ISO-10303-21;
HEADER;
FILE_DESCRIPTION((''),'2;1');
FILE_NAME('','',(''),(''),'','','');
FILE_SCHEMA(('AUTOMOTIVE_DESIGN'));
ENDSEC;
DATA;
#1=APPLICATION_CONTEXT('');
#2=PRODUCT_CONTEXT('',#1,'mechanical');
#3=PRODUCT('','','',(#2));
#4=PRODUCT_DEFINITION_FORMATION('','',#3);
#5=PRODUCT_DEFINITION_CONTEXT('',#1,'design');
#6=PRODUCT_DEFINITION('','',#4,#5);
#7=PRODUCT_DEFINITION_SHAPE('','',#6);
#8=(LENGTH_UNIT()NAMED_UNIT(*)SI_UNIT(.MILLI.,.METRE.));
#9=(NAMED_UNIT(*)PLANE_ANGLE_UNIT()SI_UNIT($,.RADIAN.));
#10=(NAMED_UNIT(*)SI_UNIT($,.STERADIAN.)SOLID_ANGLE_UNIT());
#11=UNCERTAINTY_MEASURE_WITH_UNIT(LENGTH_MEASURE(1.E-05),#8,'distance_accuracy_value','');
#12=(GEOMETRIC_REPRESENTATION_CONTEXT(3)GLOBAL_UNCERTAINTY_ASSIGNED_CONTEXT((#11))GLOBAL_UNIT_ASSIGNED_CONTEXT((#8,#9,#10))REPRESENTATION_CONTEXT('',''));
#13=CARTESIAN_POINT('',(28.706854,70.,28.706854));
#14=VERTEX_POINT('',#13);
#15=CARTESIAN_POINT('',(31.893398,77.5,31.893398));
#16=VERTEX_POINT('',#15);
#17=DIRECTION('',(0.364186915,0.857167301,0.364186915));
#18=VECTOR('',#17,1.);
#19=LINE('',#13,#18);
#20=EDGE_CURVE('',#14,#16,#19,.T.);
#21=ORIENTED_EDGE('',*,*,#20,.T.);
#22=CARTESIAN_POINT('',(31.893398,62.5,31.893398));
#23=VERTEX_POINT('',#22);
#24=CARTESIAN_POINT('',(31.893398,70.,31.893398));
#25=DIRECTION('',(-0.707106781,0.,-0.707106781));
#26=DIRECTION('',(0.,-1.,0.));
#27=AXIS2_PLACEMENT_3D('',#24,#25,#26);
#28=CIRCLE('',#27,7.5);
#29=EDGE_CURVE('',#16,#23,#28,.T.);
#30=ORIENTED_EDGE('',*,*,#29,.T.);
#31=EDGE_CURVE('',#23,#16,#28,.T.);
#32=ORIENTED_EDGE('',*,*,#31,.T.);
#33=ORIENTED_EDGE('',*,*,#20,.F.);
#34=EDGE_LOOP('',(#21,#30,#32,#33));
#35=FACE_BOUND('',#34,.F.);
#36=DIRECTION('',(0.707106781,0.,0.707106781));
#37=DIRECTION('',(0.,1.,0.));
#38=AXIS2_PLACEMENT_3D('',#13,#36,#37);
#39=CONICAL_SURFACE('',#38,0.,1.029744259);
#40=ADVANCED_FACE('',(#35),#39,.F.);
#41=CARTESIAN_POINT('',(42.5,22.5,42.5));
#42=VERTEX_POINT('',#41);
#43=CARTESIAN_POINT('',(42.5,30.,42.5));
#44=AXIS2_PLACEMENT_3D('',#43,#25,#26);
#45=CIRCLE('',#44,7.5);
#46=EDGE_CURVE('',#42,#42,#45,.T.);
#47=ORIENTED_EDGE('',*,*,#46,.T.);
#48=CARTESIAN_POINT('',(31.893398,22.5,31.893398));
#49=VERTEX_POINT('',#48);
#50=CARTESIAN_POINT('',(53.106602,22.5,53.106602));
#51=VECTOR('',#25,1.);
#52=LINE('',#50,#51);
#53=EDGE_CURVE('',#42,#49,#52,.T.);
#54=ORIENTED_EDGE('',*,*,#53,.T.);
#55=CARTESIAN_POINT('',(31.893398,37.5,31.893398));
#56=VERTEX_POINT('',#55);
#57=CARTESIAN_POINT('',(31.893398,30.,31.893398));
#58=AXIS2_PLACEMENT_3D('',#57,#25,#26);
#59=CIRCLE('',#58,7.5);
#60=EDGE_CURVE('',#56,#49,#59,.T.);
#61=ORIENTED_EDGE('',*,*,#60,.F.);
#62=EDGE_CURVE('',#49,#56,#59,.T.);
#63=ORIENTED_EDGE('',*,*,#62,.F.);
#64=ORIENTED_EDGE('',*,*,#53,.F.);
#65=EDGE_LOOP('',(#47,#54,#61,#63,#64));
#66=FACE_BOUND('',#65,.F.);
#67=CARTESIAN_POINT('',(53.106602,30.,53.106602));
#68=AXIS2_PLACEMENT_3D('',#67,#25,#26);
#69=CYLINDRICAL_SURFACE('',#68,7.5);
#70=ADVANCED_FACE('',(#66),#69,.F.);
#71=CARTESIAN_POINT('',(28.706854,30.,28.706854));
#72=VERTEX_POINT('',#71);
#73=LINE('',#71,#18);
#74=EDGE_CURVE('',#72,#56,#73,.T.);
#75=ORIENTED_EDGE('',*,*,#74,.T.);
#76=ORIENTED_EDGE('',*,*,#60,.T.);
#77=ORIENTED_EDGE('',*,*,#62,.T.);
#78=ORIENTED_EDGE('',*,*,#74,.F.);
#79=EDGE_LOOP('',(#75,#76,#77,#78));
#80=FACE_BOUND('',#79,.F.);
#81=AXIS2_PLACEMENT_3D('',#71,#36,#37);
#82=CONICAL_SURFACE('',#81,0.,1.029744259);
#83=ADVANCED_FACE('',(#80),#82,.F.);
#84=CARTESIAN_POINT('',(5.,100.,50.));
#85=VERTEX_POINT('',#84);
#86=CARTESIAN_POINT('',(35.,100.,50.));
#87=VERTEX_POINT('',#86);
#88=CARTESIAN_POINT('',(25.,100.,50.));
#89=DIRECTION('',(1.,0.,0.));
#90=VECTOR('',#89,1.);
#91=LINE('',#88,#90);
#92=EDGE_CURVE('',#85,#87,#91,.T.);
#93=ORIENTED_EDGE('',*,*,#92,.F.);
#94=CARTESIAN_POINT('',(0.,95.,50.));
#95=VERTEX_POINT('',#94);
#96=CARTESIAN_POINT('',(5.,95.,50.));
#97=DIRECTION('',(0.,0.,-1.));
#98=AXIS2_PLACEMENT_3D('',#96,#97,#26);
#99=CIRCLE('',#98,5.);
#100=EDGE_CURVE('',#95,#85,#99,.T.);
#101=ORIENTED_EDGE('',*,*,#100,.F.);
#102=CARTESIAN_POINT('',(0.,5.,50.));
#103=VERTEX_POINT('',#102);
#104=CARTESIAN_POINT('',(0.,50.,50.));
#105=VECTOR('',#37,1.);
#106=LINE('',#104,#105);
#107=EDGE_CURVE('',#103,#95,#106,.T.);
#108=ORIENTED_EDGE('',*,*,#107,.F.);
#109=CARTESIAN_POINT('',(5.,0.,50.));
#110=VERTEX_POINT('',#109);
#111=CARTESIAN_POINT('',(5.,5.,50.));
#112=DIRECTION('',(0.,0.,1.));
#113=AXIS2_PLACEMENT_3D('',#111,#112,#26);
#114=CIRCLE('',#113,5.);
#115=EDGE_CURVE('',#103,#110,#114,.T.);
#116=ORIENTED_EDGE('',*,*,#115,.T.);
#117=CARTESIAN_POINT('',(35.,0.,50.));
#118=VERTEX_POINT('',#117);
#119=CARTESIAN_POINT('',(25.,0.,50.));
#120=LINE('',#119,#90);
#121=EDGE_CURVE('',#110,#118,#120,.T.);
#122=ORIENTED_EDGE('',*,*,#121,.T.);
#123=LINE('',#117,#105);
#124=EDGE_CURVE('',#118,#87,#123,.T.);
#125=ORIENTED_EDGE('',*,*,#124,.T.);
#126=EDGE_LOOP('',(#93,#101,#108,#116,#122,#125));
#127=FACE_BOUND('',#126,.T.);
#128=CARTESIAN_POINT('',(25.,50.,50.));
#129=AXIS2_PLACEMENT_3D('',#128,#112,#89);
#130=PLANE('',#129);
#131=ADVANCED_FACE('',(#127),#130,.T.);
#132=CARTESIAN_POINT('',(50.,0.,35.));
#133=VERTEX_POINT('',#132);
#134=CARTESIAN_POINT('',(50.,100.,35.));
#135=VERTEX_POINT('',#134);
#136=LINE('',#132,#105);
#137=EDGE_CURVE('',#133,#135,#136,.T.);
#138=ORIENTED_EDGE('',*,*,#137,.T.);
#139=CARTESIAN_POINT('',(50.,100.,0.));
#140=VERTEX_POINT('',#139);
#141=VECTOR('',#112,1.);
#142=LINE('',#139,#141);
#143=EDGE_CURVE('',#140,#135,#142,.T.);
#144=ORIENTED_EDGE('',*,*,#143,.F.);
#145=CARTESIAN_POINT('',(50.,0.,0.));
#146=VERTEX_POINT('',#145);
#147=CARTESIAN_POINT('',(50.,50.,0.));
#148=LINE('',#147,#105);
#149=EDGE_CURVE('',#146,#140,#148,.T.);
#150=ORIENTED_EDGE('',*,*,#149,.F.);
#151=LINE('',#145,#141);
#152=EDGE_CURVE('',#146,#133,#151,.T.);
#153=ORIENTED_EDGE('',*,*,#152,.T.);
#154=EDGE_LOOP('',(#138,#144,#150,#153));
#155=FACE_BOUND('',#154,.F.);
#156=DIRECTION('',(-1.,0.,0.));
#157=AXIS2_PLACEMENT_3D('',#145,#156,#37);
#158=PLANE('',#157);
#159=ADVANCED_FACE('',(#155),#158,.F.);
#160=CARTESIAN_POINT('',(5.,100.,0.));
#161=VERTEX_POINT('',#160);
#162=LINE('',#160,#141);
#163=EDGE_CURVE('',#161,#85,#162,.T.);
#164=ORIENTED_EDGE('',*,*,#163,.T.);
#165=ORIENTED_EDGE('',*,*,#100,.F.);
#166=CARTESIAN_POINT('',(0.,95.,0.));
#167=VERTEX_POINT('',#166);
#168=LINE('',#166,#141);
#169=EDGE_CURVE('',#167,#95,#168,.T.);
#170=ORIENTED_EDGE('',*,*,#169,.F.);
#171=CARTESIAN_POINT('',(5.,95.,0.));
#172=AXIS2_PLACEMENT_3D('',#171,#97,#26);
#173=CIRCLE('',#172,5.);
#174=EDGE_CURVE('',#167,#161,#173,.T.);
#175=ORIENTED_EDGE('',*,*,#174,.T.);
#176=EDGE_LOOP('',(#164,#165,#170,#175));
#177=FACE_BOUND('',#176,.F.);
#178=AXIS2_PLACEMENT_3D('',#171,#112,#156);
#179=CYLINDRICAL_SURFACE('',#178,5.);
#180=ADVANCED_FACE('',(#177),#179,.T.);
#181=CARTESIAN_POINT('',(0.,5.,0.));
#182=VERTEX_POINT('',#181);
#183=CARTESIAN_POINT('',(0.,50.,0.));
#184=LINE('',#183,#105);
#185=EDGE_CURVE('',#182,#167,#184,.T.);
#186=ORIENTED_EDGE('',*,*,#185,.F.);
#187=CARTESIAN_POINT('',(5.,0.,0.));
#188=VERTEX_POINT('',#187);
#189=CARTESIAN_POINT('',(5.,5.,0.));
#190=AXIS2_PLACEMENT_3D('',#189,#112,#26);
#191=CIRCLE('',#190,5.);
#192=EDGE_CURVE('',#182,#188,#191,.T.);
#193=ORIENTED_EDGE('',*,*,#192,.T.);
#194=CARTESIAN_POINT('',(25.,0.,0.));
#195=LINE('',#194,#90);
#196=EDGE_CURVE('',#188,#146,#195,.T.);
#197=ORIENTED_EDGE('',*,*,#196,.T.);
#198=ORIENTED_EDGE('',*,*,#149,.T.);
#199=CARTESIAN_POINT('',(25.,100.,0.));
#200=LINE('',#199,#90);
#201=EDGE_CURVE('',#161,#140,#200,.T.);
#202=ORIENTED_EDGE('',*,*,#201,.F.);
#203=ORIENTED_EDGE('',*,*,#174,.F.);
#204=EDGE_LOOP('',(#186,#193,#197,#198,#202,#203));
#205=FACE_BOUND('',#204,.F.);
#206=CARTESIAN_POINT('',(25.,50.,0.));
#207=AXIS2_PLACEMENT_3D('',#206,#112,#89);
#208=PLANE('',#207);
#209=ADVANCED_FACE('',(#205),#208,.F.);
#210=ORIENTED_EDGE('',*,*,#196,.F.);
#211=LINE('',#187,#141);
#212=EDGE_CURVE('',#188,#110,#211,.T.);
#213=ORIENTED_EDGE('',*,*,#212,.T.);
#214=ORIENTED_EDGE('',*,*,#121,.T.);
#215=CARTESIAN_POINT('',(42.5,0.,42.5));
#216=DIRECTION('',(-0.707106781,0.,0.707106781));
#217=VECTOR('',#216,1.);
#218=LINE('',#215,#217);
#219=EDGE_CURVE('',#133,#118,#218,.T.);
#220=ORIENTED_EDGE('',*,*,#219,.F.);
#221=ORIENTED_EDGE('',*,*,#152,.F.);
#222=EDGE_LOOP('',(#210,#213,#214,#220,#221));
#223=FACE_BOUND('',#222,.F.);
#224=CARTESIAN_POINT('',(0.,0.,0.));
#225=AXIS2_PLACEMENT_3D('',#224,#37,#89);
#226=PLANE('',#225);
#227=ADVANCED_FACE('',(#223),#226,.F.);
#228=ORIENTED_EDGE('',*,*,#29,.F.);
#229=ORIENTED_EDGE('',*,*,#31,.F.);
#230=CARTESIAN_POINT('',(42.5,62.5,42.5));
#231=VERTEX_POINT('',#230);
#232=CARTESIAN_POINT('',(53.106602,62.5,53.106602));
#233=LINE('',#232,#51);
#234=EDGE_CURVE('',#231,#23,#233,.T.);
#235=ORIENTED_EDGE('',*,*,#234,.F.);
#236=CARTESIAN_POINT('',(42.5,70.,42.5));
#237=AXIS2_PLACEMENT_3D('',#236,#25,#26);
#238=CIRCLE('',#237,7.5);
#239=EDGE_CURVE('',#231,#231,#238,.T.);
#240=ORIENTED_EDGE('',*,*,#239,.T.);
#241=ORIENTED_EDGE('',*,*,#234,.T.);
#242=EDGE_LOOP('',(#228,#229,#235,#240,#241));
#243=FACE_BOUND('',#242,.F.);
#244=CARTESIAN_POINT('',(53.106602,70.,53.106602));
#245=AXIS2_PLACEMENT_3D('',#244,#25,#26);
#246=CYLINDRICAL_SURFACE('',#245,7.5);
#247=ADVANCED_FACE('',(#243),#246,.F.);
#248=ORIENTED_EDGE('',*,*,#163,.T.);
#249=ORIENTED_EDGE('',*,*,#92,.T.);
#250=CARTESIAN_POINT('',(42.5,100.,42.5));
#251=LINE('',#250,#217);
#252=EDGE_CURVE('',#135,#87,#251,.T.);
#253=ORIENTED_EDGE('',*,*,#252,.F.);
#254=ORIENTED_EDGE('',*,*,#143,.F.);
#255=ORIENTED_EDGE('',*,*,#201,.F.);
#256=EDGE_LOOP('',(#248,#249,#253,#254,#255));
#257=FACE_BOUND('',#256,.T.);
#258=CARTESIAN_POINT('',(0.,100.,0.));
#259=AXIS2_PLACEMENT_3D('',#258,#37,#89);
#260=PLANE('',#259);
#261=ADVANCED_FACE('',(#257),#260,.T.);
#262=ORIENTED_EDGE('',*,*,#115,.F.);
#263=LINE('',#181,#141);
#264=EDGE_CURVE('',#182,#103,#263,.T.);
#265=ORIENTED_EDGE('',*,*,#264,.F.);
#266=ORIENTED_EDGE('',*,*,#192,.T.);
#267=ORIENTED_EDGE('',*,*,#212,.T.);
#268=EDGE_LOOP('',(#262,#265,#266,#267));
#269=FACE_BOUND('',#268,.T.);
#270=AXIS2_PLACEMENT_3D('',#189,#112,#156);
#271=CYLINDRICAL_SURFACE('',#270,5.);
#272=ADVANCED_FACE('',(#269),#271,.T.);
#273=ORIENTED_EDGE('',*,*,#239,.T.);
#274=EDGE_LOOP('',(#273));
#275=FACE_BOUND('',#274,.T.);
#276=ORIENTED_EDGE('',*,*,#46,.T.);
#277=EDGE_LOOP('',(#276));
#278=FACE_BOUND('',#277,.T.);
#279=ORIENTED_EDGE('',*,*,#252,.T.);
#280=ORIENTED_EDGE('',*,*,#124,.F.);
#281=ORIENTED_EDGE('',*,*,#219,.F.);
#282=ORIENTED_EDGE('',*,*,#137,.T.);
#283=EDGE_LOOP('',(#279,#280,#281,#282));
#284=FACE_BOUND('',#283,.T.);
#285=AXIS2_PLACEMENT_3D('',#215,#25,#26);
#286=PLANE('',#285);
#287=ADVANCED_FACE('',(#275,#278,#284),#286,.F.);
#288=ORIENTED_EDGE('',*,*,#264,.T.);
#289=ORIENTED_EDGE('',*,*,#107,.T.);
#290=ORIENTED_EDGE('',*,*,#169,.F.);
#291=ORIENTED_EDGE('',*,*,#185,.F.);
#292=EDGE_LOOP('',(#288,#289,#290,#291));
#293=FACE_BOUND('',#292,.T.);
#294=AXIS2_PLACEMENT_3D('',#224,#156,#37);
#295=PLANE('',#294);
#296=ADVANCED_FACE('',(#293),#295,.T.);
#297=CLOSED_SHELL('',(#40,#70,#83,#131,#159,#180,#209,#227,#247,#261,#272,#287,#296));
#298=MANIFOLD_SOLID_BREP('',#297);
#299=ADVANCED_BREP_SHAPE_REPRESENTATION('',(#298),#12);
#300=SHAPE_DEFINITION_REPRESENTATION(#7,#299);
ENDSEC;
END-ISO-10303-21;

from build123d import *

# Parameters (mm, degrees)
F0_W     = 50
F0_H     = 100
F1_DEPTH = 50
F2_SIZE2 = 15
F2_SIZE  = 15
F4_D     = 15
F4_DEPTH = 15
F4_TIP   = 4.5064546427
F5_R     = 5
F6_R     = 5


with BuildPart() as f1:
    # F0 (on Top) → F1 (new body)
    with BuildSketch(Plane.XY):
        with Locations((25, 50)):
            Rectangle(F0_W, F0_H)
    extrude(amount=F1_DEPTH)

    # F2
    f2_edges = [f1.edges().sort_by_distance(p)[0] for p in [
        (50, 50, 50),
    ]]
    chamfer(f2_edges, length=F2_SIZE, length2=F2_SIZE2)

    # F4
    with Locations(Plane(origin=(42.5, 0, 42.5), x_dir=(0, 1, 0), z_dir=(0.7071067812, 0, 0.7071067812))):
        with Locations((30, 0), (70, 0)):
            Hole(F4_D / 2, depth=F4_DEPTH)
            with Locations((0, 0, -(F4_DEPTH + F4_TIP / 2))):  # 118° drill point
                Cone(0, F4_D / 2, F4_TIP, mode=Mode.SUBTRACT)

    # F5
    f5_edges = [f1.edges().sort_by_distance(p)[0] for p in [
        (0, 100, 25),
    ]]
    fillet(f5_edges, radius=F5_R)

    # F6
    f6_edges = [f1.edges().sort_by_distance(p)[0] for p in [
        (0, 0, 25),
    ]]
    fillet(f6_edges, radius=F6_R)


solid = f1.part
